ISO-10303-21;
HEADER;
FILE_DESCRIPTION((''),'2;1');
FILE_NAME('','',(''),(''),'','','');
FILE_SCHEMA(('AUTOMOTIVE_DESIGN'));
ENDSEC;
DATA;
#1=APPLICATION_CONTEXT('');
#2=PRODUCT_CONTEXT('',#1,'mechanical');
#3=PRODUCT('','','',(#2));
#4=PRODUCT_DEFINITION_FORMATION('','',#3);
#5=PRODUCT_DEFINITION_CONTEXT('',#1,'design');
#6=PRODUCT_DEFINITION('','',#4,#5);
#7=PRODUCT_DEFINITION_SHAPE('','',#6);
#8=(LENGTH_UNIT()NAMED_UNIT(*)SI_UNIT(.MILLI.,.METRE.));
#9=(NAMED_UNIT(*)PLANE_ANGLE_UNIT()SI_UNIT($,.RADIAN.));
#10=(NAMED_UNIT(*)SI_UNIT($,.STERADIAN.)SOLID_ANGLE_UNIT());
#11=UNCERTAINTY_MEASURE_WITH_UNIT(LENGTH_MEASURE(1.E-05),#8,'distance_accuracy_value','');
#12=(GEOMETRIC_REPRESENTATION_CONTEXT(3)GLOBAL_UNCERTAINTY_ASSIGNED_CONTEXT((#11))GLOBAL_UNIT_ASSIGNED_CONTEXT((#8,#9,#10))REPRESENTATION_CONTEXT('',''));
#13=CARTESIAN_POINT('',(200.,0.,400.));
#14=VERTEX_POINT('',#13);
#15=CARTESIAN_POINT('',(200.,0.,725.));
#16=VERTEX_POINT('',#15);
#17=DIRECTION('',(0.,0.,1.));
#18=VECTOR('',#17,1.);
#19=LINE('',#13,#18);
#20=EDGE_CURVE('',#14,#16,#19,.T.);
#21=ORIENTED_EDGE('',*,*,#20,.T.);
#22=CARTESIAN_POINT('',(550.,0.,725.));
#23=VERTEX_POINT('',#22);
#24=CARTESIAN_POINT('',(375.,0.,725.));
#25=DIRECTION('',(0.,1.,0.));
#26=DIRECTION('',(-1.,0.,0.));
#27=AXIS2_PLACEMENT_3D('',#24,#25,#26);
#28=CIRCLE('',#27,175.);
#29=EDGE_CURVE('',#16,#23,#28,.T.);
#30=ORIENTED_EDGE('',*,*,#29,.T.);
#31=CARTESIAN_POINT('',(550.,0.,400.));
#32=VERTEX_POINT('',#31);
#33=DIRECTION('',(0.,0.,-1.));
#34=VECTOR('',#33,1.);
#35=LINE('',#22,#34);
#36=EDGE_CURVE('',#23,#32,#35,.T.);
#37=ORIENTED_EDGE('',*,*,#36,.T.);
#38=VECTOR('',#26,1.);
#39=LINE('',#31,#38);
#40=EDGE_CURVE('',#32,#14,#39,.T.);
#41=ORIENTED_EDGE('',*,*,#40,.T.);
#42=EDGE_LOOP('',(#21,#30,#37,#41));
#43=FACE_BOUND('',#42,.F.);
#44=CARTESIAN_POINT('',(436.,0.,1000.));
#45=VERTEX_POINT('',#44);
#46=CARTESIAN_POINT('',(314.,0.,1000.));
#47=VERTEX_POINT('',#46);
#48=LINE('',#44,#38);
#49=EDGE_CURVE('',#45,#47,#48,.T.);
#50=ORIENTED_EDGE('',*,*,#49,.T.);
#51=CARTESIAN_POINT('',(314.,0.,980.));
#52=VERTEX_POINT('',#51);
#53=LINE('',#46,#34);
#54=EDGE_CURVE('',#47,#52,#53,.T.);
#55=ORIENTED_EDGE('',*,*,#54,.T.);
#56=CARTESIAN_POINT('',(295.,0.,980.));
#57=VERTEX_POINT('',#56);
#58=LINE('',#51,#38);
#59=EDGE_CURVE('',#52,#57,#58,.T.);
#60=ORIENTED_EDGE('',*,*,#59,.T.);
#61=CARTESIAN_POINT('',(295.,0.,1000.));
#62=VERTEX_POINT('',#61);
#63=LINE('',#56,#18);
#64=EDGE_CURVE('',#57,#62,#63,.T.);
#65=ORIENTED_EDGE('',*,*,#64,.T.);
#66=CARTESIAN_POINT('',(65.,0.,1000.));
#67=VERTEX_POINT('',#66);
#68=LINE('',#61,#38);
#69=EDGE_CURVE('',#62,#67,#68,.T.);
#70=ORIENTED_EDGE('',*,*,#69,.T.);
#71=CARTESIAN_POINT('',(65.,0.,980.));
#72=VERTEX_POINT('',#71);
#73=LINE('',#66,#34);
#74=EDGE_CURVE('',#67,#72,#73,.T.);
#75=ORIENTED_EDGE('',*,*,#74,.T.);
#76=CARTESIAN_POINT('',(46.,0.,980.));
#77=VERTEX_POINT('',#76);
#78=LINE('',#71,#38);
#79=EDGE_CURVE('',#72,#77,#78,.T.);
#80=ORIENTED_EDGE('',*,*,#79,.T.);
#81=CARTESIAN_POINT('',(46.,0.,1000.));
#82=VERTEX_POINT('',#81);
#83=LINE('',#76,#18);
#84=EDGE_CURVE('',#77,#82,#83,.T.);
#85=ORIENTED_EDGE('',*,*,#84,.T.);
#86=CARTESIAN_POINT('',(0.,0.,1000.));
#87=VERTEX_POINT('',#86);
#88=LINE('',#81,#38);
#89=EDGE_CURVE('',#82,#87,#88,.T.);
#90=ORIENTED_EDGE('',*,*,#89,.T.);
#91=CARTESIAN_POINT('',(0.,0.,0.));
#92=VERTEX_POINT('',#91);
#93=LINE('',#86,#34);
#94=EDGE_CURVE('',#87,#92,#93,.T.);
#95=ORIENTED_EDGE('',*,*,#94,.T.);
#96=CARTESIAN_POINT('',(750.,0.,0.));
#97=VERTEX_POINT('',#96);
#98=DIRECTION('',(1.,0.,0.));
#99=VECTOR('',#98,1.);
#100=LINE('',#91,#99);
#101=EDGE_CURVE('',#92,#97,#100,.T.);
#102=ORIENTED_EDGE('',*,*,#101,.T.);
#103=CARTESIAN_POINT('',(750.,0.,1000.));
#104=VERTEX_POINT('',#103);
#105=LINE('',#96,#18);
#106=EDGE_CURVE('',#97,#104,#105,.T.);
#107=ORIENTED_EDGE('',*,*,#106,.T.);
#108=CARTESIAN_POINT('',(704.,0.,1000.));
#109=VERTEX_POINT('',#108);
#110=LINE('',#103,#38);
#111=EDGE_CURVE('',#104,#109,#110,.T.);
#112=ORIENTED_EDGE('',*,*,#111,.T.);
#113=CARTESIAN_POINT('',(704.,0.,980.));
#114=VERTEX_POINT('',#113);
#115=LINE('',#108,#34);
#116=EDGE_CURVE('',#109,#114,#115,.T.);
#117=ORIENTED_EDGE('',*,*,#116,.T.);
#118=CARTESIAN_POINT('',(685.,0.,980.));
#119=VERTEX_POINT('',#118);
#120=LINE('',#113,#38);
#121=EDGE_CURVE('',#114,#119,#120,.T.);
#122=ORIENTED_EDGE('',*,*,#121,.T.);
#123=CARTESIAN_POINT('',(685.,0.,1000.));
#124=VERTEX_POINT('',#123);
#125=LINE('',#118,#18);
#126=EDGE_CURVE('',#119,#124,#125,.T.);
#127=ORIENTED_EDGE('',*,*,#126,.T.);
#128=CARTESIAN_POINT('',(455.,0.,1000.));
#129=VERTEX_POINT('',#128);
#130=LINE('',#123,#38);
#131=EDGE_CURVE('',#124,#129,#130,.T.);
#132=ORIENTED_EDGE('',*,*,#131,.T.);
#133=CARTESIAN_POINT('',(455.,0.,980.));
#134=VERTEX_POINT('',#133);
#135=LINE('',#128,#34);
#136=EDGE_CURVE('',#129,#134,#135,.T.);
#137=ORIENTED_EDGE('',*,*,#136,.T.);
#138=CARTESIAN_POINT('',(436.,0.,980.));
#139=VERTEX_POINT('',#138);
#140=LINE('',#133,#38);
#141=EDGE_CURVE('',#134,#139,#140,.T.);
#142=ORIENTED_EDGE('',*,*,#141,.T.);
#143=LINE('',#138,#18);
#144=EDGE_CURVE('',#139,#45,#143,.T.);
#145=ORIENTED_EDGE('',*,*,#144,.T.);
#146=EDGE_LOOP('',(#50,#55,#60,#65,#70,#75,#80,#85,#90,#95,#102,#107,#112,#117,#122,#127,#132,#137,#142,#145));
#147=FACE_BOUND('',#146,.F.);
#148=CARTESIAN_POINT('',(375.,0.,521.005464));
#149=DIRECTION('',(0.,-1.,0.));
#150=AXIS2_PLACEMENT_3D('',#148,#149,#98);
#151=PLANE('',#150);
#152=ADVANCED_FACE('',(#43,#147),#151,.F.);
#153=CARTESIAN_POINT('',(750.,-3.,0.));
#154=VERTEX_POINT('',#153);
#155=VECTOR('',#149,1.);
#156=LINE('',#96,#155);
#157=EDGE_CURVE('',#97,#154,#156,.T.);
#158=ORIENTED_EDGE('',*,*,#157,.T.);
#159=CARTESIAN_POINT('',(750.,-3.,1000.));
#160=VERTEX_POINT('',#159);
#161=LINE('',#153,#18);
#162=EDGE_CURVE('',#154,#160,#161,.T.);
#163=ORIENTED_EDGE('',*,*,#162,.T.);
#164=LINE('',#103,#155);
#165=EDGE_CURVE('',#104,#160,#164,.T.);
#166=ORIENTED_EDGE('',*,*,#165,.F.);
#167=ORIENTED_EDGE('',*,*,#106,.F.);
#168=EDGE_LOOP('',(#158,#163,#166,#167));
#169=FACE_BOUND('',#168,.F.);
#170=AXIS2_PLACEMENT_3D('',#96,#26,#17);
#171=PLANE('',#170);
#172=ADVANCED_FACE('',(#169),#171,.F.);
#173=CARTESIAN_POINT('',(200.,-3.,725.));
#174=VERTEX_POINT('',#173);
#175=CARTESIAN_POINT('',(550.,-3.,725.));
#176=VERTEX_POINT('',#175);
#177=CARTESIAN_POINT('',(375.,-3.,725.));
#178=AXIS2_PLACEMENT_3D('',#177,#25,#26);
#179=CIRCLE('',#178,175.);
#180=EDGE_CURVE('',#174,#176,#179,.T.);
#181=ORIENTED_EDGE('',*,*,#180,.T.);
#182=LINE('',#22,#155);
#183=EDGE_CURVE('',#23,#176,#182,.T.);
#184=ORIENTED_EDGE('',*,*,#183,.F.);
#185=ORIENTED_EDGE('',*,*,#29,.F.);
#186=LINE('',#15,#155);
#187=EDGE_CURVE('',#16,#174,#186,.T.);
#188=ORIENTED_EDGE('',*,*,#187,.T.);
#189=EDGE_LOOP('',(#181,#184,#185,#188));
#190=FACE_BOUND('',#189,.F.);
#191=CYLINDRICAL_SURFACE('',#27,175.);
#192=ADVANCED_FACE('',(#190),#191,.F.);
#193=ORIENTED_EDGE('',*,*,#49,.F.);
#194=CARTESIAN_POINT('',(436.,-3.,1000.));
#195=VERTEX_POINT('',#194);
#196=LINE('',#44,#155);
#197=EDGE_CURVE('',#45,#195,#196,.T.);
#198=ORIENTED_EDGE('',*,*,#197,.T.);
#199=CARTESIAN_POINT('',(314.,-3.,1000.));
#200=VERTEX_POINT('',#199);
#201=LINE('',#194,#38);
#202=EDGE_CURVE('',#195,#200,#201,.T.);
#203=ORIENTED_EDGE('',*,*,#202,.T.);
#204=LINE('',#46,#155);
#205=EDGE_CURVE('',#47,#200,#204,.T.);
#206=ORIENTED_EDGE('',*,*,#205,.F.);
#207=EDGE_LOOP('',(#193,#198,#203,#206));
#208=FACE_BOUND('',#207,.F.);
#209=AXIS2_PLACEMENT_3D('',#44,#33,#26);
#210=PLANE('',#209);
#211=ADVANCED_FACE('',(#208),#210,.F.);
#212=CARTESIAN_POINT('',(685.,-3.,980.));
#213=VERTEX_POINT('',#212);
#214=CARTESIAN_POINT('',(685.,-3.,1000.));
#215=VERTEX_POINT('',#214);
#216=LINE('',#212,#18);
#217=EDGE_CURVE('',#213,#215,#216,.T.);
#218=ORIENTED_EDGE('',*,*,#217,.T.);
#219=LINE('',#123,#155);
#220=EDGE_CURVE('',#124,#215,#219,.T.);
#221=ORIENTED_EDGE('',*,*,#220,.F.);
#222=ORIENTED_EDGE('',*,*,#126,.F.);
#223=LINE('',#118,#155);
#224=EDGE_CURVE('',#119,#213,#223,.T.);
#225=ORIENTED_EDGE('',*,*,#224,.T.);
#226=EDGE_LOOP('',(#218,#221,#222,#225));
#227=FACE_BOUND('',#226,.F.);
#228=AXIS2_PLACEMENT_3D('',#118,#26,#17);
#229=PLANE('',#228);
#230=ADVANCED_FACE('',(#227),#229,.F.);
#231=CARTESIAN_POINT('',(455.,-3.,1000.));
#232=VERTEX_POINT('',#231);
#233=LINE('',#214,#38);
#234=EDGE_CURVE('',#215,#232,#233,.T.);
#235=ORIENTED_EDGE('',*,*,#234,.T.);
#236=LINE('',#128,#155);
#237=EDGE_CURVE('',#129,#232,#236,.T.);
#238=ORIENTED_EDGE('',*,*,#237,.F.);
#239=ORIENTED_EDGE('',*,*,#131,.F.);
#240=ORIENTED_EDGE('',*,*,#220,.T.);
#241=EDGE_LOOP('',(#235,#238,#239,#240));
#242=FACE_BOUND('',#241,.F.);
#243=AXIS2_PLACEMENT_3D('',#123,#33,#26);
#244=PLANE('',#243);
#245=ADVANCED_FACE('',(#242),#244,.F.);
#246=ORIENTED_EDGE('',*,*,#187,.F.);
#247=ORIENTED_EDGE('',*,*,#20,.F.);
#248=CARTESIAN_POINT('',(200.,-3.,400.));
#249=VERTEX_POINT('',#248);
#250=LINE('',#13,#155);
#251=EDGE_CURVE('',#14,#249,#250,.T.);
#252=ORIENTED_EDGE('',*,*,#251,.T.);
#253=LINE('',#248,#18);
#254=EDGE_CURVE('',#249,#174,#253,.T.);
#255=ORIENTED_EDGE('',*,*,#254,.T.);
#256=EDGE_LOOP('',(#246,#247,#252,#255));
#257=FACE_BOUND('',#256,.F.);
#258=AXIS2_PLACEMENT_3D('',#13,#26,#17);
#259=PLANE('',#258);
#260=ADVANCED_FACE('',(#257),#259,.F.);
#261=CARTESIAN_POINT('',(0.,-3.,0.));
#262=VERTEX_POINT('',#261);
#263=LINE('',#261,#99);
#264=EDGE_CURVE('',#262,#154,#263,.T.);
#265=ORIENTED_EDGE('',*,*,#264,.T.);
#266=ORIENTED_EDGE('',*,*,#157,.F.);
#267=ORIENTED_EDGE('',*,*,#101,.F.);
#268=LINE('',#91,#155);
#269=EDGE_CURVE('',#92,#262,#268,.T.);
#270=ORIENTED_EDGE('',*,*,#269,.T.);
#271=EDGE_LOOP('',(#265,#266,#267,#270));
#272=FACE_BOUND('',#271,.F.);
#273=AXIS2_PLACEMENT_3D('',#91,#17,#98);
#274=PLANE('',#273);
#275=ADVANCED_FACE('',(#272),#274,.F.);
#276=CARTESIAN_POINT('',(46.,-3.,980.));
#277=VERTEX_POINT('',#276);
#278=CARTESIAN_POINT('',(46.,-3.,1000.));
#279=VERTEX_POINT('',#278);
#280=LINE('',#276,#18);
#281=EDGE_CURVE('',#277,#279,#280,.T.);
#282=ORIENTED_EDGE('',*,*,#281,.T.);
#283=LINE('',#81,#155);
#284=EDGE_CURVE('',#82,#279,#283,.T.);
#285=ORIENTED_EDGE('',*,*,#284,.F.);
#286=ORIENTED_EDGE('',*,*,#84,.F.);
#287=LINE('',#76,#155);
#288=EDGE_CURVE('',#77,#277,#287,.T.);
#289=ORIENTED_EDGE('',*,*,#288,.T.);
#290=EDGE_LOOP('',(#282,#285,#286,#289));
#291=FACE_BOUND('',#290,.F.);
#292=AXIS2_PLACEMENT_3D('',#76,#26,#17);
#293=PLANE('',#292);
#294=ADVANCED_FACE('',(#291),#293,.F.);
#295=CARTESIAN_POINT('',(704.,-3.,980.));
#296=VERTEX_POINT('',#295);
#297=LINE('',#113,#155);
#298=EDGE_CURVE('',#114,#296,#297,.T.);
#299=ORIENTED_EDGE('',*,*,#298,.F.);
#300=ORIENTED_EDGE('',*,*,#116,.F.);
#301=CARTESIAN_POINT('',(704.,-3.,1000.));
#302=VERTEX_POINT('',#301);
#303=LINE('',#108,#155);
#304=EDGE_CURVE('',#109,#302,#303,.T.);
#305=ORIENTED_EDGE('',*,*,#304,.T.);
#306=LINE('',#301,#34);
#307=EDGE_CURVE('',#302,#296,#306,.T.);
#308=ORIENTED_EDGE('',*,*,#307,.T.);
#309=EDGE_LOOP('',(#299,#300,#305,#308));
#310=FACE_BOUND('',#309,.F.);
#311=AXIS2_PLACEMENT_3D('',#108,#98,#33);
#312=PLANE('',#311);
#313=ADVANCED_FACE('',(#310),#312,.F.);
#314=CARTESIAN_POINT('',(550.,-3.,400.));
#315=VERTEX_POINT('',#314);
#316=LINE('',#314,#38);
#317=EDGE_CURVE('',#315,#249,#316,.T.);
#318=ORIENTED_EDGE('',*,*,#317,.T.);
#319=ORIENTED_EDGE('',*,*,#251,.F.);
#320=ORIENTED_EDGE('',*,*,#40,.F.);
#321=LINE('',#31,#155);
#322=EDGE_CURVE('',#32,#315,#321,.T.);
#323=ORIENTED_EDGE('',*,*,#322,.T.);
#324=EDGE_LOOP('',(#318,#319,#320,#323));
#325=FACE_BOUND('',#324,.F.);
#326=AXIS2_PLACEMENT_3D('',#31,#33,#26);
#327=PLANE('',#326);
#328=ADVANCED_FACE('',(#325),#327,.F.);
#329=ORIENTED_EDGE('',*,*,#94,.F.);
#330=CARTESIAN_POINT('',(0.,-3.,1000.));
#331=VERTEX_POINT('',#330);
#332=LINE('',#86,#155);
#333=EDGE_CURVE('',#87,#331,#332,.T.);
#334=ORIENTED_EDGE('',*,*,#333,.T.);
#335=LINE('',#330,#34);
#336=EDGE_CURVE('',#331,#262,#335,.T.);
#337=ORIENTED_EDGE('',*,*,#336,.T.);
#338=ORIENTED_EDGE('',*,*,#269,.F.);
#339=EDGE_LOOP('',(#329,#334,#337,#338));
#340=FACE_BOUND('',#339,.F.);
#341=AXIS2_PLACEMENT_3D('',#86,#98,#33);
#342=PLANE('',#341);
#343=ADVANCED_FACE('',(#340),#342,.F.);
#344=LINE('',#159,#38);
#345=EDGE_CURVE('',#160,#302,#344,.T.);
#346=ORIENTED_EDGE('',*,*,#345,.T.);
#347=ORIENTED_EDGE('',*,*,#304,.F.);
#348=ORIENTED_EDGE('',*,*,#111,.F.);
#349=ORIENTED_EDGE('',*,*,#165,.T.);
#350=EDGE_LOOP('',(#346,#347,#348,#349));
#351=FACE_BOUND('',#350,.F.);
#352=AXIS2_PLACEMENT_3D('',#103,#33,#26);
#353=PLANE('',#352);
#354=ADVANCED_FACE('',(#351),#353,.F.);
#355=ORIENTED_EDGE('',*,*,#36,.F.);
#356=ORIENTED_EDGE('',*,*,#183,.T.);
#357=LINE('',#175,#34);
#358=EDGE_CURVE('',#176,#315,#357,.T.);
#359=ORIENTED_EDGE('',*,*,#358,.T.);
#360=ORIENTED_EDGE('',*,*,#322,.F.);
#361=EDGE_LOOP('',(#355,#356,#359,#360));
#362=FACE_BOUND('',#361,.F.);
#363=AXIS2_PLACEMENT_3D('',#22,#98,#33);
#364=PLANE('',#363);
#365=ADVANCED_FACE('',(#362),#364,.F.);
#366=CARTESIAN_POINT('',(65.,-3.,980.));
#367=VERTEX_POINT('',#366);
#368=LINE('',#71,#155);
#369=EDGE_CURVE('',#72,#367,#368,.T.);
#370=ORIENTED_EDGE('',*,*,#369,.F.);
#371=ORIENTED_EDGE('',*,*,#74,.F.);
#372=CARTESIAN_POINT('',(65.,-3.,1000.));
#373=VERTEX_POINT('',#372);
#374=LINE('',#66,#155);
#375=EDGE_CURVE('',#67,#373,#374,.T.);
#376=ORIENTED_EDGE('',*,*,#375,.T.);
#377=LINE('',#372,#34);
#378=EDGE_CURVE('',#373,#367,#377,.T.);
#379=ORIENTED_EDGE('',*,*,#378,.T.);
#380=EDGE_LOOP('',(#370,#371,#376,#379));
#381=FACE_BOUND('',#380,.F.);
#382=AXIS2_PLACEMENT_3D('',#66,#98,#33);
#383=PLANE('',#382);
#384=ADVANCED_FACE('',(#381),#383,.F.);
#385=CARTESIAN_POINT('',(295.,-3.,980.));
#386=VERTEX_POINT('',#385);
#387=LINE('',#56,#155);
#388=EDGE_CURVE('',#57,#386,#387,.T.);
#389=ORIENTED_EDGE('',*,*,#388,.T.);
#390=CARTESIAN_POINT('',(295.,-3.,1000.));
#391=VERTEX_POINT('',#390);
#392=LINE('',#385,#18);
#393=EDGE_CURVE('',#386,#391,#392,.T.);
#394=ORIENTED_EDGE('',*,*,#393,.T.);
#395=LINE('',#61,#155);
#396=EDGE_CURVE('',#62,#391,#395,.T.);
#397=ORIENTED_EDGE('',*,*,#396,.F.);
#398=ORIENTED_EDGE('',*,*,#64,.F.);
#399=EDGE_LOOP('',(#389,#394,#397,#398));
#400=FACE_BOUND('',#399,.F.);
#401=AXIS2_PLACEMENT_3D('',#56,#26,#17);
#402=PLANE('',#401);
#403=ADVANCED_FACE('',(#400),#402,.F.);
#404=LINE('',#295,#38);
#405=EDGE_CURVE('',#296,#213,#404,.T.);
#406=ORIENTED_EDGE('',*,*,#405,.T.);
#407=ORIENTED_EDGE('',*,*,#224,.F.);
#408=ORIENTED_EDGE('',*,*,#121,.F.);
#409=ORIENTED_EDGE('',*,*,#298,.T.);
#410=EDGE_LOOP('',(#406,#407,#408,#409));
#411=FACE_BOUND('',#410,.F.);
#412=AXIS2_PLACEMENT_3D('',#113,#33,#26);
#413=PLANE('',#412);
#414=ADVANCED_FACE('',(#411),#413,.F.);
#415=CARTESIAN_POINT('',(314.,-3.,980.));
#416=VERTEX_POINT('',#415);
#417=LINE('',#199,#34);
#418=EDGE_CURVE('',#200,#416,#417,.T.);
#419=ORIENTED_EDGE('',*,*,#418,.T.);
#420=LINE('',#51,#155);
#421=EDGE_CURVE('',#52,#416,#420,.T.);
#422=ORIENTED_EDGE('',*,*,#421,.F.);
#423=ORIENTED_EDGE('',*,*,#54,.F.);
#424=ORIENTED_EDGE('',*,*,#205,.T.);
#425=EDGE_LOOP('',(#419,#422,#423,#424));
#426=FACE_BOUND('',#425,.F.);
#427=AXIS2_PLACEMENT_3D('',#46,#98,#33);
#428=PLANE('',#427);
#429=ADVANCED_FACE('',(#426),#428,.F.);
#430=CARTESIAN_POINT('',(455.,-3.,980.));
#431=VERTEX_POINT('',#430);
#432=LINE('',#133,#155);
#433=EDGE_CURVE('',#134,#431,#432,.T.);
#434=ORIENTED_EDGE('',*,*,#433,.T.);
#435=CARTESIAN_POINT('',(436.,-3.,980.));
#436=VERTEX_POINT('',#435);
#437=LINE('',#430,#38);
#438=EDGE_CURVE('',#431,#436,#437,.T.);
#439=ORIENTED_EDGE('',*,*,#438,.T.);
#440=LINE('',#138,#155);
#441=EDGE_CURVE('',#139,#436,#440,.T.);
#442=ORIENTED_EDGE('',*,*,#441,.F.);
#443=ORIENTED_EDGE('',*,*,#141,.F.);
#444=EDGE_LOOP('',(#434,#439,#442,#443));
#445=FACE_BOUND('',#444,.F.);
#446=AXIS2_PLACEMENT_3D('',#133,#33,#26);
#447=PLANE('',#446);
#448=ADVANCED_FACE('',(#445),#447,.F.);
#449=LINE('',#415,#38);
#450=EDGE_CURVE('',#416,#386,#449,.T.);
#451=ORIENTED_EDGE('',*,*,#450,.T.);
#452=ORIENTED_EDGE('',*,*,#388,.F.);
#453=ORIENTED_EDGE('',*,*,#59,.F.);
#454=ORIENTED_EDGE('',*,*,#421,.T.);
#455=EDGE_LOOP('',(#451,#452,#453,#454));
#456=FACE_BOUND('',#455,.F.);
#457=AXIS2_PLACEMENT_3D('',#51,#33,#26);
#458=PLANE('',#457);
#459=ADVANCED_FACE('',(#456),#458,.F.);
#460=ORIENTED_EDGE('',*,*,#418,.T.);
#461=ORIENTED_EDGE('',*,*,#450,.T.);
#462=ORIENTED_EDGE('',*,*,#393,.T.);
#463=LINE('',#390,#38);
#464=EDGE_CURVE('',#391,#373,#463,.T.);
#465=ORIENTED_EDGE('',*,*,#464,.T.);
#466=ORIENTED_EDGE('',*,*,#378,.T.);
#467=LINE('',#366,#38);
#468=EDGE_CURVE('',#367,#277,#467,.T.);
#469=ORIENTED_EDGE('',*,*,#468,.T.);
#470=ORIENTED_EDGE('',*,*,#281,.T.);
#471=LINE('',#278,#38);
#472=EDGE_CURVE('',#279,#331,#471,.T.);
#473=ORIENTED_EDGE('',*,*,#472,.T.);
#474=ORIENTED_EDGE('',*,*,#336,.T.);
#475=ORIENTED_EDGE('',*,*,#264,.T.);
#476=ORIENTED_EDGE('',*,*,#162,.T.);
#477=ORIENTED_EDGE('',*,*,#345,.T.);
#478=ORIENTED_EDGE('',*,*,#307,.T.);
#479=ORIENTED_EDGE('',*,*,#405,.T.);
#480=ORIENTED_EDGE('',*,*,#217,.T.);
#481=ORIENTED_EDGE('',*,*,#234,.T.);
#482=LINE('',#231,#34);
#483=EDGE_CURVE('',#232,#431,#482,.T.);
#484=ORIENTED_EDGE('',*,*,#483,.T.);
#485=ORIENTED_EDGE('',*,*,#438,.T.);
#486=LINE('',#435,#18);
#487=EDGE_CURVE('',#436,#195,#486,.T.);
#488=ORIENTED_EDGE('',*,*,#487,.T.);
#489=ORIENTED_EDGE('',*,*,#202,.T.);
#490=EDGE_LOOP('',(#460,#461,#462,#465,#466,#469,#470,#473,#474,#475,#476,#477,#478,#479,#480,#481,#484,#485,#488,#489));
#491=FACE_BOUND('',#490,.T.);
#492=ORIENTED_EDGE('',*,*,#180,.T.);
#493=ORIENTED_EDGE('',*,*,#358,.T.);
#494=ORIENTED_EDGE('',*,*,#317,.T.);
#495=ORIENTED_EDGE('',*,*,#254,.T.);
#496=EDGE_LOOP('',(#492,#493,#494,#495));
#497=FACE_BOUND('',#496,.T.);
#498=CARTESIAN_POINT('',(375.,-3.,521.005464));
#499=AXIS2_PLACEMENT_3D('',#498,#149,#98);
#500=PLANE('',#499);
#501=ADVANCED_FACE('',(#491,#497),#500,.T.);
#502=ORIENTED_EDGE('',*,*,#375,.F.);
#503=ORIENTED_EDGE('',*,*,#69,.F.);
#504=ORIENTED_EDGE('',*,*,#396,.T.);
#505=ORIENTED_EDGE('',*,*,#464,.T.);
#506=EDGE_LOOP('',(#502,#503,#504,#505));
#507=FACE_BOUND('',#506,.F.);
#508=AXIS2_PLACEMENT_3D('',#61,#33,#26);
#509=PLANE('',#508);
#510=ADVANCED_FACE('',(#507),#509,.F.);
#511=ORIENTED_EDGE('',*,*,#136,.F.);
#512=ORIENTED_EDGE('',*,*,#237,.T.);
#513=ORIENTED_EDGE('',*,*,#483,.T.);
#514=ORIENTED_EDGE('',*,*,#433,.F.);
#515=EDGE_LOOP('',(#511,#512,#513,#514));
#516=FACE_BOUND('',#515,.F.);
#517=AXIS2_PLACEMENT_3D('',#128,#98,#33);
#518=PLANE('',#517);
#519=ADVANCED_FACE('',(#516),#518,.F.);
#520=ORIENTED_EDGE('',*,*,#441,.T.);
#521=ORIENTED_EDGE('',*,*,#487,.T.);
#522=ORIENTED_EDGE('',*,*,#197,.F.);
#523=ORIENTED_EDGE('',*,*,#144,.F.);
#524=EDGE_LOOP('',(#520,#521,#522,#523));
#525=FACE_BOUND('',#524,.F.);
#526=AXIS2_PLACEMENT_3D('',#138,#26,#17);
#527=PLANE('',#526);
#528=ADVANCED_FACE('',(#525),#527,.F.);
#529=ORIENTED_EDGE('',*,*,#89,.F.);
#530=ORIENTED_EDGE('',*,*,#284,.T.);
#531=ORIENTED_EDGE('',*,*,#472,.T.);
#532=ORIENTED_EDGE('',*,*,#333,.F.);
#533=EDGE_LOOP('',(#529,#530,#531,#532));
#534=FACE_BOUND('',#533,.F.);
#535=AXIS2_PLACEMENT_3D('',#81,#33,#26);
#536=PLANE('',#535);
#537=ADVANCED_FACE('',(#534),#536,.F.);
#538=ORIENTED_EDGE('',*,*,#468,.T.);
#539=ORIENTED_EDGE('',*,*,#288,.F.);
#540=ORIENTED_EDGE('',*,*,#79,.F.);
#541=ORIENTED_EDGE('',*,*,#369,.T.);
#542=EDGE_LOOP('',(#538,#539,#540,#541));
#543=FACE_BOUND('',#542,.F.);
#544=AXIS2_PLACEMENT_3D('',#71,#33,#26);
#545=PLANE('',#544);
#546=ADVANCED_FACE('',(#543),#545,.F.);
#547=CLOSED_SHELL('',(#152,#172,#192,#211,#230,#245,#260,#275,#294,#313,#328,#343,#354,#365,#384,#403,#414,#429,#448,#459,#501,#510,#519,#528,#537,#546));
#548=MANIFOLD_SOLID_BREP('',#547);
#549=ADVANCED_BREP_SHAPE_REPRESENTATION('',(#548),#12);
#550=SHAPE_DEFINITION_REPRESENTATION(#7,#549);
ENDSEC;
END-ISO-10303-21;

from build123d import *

# Parameters (mm, degrees)
F1_DEPTH = 3


with BuildPart() as f1:
    # F0 (on Front) → F1 (new body)
    with BuildSketch(Plane.XZ):
        Polygon((0, 1000), (0, 0), (750, 0), (750, 1000), (704, 1000), (704, 980), (685, 980), (685, 1000), (455, 1000), (455, 980), (436, 980), (436, 1000), (314, 1000), (314, 980), (295, 980), (295, 1000), (65, 1000), (65, 980), (46, 980), (46, 1000), align=None)
        with BuildLine():
            Line((550, 400), (200, 400))
            Line((200, 400), (200, 725))
            ThreePointArc((200, 725), (375, 900), (550, 725))
            Line((550, 725), (550, 400))
        make_face(mode=Mode.SUBTRACT)
    extrude(amount=F1_DEPTH)


solid = f1.part
